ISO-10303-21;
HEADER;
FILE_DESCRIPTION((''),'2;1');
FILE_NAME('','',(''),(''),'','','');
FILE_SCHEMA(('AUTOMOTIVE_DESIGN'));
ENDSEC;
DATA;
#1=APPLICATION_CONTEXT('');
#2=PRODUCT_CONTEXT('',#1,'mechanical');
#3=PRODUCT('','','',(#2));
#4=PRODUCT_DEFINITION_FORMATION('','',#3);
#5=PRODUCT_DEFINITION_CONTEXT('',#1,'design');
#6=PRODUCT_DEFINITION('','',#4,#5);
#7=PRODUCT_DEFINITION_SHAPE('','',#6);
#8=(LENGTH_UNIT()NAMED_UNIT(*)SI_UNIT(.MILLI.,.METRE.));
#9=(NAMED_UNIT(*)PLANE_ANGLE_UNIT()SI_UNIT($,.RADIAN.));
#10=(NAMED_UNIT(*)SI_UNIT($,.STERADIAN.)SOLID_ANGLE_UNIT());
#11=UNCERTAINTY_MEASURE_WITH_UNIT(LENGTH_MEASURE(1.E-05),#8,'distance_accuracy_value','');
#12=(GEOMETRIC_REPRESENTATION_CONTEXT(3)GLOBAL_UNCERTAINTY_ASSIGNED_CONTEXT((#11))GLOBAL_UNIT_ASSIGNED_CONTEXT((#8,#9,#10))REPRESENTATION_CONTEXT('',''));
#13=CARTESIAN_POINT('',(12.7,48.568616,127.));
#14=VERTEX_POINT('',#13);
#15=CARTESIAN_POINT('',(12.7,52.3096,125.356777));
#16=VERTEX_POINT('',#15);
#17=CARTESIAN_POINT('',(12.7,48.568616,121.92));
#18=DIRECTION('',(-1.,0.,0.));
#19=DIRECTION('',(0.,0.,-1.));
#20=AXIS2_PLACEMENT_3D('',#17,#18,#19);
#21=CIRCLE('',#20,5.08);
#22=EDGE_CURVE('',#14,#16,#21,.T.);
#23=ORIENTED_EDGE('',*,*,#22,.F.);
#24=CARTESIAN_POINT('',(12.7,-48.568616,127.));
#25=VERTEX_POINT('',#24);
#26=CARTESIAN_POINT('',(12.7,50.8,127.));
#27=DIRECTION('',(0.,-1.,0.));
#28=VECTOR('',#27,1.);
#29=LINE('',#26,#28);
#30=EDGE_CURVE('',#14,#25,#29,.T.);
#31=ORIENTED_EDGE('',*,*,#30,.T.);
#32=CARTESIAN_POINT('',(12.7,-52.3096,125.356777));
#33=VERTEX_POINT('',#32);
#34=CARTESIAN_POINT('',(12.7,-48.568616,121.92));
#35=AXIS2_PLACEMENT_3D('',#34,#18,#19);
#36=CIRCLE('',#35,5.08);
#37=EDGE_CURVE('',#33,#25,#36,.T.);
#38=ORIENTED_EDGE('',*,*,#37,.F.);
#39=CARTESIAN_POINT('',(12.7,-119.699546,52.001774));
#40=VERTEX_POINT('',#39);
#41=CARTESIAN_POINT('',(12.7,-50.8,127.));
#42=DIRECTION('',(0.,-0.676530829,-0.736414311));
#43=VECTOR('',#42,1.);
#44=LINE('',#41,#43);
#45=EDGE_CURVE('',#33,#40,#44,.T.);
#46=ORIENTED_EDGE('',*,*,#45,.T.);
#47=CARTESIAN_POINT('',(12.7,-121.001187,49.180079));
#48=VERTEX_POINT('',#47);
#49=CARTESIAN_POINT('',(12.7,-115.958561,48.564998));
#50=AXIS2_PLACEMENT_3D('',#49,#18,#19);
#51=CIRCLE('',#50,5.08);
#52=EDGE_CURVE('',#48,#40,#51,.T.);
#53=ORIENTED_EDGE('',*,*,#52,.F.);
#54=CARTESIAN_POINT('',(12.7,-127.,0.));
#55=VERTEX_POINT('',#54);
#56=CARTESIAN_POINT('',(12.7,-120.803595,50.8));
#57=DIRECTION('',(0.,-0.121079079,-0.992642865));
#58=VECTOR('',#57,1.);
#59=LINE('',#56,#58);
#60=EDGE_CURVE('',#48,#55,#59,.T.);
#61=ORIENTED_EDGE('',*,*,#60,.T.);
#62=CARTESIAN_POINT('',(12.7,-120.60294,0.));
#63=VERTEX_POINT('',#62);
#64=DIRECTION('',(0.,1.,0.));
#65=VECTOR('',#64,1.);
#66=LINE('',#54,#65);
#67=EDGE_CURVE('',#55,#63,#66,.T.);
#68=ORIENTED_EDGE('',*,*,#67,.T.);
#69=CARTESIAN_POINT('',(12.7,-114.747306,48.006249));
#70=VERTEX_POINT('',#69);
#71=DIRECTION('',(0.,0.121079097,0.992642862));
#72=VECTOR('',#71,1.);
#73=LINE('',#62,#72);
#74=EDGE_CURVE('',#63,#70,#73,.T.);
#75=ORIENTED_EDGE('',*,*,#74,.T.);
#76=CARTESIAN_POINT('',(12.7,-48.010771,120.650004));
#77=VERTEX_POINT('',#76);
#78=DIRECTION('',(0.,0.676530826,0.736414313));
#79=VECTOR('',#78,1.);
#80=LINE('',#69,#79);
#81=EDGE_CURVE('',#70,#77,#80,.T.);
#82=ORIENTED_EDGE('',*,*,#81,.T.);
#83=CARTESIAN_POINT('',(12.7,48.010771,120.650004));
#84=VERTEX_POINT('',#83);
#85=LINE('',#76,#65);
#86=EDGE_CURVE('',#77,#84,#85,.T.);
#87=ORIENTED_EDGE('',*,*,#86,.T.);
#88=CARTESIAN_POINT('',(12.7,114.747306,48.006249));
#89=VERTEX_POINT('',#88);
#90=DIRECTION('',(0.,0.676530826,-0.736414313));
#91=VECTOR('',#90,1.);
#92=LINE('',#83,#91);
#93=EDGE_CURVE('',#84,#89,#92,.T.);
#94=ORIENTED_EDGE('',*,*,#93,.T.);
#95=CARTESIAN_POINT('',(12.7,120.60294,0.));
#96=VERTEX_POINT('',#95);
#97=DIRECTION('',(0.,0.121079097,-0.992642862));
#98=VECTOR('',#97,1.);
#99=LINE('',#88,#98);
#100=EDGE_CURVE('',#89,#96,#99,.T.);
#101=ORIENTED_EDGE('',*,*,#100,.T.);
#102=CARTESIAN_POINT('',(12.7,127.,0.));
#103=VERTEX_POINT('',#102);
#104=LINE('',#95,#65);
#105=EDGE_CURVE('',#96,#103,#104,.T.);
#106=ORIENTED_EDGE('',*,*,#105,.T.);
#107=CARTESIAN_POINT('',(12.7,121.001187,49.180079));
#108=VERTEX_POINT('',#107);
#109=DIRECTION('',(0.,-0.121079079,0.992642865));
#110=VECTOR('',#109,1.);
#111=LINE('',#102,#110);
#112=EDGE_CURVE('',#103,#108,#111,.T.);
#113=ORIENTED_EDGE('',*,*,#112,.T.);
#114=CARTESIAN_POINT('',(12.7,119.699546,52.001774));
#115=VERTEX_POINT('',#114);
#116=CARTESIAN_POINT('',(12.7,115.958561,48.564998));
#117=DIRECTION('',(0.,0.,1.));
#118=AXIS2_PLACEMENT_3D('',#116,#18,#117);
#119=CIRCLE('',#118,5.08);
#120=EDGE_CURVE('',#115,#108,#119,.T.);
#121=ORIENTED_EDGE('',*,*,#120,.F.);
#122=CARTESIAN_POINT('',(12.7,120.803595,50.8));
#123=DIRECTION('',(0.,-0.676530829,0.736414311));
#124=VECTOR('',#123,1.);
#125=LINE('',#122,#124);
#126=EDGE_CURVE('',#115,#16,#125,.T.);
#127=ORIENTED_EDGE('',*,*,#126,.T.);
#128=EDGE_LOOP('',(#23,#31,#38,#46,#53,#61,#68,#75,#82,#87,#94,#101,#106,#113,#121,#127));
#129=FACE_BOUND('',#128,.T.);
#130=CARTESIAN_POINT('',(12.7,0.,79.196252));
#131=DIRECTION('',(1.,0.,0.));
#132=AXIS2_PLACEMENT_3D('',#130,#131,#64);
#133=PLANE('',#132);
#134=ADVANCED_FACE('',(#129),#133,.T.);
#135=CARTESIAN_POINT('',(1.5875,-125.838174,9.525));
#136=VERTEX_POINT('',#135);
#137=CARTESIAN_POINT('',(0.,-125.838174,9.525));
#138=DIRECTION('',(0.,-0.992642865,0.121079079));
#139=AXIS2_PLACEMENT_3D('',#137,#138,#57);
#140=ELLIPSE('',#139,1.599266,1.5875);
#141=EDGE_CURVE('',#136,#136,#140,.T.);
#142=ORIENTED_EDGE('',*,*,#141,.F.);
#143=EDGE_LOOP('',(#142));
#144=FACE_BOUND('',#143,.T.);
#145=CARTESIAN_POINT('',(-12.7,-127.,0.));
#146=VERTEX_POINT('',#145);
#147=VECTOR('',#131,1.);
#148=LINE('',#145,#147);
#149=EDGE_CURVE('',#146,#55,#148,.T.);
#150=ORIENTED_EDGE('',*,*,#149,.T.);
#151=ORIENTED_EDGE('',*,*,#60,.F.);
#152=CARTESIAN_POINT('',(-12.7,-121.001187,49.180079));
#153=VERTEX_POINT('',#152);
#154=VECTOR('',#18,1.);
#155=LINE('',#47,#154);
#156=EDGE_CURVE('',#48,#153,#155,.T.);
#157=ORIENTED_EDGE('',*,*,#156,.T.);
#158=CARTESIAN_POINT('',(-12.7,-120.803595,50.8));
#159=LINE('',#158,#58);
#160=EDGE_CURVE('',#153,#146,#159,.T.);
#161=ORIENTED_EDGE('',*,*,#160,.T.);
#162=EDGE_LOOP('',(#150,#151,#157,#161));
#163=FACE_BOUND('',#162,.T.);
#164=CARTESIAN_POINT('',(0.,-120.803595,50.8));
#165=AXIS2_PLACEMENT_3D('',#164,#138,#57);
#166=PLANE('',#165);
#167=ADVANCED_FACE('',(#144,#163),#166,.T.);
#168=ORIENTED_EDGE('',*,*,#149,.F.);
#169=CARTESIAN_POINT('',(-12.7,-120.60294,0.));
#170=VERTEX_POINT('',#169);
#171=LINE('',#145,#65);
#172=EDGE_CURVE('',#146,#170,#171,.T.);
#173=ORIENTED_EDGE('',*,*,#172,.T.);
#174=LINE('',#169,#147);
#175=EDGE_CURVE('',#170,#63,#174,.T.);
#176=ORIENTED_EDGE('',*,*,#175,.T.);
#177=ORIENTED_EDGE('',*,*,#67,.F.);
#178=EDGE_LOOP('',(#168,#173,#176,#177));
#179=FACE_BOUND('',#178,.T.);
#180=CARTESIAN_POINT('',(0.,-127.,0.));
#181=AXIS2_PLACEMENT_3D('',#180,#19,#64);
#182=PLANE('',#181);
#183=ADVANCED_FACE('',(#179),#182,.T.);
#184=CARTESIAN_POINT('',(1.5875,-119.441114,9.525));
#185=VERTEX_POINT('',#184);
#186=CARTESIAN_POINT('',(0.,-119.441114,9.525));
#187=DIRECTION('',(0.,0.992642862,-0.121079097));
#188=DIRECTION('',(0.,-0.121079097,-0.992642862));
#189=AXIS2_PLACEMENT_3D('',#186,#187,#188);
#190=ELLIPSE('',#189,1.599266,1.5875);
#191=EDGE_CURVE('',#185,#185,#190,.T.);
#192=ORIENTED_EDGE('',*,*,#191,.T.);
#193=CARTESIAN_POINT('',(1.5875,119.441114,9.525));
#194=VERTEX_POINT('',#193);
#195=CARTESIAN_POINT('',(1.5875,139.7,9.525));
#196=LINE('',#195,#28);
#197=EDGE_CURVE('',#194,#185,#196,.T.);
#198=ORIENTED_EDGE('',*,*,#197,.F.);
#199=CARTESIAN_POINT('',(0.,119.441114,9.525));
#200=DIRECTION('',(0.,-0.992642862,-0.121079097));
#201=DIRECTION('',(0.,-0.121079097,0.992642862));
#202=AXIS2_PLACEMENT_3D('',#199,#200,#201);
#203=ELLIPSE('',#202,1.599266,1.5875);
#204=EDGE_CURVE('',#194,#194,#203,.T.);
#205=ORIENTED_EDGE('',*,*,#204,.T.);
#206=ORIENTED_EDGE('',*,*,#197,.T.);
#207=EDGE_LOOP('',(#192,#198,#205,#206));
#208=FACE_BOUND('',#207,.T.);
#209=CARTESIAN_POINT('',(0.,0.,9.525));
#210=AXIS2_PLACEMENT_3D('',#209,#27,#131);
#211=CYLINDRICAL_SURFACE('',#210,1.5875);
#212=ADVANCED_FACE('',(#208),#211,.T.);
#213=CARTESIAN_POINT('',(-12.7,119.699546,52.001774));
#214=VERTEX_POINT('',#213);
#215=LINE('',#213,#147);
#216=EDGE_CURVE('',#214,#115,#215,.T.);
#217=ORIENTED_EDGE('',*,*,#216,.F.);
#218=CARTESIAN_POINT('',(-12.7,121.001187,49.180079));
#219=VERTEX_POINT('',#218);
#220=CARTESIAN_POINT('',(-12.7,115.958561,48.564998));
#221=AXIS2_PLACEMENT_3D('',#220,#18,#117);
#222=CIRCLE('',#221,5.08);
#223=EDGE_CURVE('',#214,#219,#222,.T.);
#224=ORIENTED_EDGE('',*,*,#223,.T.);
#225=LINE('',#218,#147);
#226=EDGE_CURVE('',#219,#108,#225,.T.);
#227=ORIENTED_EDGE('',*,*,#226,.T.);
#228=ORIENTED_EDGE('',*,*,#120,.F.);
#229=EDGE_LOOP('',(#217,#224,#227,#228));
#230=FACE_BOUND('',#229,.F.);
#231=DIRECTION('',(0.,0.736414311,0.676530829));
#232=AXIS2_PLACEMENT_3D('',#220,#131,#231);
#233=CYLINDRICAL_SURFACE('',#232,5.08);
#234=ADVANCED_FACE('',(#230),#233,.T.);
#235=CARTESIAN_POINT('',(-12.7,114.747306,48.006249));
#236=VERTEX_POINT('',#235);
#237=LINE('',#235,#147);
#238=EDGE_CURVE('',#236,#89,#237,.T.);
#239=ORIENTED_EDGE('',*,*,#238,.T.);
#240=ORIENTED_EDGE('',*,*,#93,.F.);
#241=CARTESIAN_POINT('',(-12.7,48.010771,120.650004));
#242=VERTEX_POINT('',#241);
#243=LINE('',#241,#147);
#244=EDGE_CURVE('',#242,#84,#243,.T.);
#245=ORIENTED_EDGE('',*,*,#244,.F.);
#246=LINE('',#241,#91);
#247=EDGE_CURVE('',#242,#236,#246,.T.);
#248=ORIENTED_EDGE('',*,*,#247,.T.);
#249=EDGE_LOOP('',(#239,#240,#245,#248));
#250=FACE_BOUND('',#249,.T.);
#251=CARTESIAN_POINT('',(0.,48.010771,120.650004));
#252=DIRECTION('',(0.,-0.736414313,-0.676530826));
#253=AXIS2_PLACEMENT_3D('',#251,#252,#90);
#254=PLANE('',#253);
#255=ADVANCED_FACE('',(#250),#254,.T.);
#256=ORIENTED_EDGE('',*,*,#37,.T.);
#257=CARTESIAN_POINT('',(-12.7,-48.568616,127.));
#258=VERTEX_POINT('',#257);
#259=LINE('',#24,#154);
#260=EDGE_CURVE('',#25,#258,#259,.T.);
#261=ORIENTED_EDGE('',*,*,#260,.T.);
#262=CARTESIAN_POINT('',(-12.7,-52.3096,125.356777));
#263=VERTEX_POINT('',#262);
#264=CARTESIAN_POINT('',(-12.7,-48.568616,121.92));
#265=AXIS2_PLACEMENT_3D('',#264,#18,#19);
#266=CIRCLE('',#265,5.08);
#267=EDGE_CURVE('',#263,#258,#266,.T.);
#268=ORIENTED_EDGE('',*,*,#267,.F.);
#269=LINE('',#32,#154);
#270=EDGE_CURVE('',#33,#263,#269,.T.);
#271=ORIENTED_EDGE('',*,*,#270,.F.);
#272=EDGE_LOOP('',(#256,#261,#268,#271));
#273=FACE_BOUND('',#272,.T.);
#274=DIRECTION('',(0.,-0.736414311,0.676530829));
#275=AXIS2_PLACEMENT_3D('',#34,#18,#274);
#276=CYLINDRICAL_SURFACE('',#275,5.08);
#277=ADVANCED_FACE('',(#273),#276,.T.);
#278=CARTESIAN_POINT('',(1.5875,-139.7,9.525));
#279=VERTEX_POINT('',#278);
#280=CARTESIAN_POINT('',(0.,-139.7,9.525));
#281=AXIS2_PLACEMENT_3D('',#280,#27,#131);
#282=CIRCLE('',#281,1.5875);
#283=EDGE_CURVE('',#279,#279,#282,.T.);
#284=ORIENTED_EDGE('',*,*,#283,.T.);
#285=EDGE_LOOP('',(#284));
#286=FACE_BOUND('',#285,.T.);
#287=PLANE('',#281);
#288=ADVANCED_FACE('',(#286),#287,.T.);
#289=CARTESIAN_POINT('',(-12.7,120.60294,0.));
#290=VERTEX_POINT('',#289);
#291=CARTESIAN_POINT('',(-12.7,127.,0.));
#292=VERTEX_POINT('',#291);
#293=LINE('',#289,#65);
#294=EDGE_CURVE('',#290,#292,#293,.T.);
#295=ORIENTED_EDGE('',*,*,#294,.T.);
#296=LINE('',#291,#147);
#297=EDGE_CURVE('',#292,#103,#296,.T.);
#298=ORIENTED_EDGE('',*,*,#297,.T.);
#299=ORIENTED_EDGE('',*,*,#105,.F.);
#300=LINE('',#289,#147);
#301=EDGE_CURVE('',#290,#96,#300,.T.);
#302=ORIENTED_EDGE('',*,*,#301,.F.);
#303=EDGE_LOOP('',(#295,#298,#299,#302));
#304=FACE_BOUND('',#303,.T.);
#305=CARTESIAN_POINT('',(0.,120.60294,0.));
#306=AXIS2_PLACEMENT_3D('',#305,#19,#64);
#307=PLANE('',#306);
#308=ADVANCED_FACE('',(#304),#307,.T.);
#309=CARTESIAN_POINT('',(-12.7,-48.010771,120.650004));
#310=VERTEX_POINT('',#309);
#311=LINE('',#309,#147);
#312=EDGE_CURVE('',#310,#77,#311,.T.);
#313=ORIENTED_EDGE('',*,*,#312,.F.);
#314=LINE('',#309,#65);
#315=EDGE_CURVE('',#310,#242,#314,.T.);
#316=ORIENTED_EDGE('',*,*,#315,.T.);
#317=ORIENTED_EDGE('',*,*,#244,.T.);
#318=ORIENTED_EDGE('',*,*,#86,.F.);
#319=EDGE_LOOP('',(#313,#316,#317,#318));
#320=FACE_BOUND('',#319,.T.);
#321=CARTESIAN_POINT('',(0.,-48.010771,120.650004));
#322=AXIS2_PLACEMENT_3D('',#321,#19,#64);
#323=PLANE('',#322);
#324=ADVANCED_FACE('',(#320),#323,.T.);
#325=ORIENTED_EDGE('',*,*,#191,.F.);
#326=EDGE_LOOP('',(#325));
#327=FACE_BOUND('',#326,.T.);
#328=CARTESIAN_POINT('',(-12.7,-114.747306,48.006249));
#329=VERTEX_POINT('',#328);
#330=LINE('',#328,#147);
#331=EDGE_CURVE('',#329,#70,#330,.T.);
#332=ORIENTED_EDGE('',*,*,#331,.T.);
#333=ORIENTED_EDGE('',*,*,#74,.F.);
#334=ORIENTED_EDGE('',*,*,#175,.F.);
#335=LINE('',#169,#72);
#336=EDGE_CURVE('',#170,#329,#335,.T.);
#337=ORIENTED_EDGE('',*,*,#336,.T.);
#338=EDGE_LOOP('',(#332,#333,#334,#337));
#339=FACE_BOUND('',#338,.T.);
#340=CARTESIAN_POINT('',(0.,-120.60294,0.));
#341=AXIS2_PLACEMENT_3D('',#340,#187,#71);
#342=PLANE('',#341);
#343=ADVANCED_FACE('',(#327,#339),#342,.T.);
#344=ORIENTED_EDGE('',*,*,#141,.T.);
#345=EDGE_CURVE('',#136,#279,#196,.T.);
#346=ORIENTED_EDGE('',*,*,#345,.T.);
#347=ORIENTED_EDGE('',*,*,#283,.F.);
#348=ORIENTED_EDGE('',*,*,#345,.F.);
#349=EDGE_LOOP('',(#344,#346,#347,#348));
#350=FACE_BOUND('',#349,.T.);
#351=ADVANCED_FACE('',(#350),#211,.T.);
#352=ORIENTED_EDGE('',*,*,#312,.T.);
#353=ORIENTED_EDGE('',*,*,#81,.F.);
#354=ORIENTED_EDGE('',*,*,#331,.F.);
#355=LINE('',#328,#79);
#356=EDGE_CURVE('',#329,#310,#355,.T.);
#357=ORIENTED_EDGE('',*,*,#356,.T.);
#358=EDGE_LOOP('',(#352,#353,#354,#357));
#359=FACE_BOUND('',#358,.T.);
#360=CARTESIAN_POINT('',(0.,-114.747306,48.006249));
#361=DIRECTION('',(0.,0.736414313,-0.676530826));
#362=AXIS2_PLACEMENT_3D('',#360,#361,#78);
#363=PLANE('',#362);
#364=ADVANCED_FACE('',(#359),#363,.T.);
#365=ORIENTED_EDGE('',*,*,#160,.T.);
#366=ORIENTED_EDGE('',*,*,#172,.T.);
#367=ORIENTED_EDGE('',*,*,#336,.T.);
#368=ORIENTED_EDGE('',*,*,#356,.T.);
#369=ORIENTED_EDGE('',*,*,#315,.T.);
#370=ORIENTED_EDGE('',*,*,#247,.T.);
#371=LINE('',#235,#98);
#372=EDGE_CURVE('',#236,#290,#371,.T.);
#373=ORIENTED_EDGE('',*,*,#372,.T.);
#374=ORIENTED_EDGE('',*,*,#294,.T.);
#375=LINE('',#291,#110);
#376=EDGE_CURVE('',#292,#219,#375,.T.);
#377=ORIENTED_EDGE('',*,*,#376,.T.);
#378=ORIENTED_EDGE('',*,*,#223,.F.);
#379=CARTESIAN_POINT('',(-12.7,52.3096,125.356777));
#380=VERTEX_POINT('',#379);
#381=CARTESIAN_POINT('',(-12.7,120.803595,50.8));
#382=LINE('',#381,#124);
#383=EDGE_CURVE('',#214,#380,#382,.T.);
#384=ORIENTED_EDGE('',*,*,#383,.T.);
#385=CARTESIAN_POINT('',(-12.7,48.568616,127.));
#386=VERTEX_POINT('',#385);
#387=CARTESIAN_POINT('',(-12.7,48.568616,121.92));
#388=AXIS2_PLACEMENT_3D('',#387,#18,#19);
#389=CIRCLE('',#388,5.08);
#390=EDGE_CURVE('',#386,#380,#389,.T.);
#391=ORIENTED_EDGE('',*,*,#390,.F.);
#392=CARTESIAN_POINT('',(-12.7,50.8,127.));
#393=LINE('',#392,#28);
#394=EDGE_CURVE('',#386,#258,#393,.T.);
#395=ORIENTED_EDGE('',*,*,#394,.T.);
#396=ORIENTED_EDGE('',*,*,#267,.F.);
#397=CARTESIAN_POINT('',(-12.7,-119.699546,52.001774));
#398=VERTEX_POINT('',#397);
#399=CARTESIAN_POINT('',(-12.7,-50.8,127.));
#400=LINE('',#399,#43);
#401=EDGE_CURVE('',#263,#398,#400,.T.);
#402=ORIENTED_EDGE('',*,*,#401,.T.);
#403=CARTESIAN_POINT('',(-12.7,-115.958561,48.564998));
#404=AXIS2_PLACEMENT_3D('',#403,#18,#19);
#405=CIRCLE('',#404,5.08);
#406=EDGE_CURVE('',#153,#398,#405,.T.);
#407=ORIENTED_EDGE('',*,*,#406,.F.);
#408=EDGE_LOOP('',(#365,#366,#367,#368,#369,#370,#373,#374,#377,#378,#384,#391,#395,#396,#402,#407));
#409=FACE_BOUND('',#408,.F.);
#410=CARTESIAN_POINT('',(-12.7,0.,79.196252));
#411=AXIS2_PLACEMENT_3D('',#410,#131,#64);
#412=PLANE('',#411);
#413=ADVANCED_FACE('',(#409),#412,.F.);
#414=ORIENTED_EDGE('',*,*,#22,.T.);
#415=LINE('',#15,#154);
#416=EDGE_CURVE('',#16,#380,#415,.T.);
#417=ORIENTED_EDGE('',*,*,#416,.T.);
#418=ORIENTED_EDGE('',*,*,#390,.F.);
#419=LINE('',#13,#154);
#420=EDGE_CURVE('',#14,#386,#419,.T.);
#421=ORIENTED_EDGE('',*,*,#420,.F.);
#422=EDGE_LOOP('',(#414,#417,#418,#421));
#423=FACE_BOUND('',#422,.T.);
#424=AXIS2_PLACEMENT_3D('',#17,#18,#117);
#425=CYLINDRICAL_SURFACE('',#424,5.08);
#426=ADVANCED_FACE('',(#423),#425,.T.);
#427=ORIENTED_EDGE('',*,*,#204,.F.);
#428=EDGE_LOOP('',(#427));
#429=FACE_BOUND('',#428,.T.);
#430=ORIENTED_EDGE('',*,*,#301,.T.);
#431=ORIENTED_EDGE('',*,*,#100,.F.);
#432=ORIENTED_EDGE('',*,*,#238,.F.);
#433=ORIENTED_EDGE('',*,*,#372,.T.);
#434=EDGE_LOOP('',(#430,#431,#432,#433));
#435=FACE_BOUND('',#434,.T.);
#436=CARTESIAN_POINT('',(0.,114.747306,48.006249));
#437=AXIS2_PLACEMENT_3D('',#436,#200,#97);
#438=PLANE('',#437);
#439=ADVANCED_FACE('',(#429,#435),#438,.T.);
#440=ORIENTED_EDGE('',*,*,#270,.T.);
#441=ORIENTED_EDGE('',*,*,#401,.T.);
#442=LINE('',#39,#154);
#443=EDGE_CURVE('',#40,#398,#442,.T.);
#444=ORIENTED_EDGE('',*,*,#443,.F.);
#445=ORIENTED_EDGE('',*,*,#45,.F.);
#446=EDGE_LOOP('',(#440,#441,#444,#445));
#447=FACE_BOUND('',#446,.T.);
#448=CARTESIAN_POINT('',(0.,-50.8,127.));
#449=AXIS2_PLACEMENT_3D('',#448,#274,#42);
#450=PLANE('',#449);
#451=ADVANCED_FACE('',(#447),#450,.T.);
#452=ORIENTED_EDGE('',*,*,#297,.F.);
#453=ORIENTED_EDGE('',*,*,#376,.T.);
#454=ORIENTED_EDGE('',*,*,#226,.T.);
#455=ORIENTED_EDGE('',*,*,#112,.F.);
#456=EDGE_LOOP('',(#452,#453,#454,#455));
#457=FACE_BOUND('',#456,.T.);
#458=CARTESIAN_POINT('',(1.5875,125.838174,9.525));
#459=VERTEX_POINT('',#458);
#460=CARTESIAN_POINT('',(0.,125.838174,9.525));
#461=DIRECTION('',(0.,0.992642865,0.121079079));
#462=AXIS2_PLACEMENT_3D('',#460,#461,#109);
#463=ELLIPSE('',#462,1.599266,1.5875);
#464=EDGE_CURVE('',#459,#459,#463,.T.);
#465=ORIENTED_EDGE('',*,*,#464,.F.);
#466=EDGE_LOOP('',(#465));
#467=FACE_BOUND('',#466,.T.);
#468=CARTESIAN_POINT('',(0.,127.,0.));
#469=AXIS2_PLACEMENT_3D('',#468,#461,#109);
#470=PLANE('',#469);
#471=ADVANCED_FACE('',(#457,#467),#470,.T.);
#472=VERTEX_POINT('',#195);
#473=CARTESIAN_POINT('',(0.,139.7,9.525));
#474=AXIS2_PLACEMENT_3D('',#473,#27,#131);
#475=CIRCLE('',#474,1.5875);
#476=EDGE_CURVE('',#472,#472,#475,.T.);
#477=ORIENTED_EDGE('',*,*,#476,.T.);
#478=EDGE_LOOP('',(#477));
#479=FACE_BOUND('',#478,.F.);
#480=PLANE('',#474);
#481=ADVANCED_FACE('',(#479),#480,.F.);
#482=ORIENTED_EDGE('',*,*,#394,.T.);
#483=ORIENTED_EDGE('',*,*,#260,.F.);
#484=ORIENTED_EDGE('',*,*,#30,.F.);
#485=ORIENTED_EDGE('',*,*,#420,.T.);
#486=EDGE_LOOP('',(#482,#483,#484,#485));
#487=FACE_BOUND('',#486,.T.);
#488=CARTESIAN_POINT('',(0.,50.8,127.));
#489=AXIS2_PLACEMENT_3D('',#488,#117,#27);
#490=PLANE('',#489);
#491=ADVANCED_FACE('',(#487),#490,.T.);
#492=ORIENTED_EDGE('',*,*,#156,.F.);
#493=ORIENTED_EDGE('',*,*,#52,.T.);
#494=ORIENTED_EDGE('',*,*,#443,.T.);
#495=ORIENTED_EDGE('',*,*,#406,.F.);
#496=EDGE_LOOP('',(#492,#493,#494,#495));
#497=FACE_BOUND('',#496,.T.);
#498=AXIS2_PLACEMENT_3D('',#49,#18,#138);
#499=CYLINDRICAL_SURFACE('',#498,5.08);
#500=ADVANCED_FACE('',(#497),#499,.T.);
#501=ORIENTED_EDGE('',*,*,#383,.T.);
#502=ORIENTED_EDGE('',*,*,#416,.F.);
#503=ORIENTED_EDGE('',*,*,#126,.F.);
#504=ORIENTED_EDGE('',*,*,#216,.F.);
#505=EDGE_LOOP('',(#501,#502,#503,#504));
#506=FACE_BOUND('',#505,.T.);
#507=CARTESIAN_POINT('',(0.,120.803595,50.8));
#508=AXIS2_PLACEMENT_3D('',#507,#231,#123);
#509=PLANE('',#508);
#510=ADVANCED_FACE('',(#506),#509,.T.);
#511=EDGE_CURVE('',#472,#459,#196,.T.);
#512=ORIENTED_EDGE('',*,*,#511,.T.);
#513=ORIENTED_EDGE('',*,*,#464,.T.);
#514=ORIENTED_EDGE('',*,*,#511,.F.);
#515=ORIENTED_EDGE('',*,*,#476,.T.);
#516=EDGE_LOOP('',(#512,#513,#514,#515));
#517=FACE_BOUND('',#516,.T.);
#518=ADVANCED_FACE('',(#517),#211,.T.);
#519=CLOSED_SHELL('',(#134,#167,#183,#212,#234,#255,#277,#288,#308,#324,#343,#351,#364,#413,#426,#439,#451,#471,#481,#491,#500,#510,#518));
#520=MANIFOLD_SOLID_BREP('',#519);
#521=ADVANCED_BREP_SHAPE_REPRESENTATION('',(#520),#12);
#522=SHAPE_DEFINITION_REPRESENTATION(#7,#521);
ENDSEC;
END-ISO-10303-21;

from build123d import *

# Parameters (mm, degrees)
F1_DEPTH = 12.7
F2_R     = 5.08
F3_R     = 1.5875
F4_DEPTH = 254
F5_R     = 1.5875
F6_DEPTH = 139.7


with BuildPart() as f1:
    # F0 (on Right) → F1 (new body, symmetric)
    with BuildSketch(Plane.YZ):
        Polygon((-120.803595, 50.8), (-127, 0), (-120.60294, 0), (-114.747306, 48.006249), (-48.010771, 120.650004), (0, 120.650004), (48.010771, 120.650004), (114.747306, 48.006249), (120.60294, 0), (127, 0), (120.803595, 50.8), (50.8, 127), (0, 127), (-50.8, 127), align=None)
    extrude(amount=F1_DEPTH, both=True)

    # F2
    f2_edges = [f1.edges().sort_by_distance(p)[0] for p in [
        (0, -120.803595, 50.8),
        (0, 120.803595, 50.8),
        (0, -50.8, 127),
        (0, 50.8, 127),
    ]]
    fillet(f2_edges, radius=F2_R)

    # F3 (on Front) → F4 (cut, symmetric)
    with BuildSketch(Plane.XZ):
        with Locations((0, 9.525)):
            Circle(F3_R)
    extrude(amount=F4_DEPTH, both=True, mode=Mode.SUBTRACT)

    # F5 (on Front) → F6 (join, symmetric)
    with BuildSketch(Plane.XZ):
        with Locations((0, 9.525)):
            Circle(F5_R)
    extrude(amount=F6_DEPTH, both=True)


solid = f1.part
